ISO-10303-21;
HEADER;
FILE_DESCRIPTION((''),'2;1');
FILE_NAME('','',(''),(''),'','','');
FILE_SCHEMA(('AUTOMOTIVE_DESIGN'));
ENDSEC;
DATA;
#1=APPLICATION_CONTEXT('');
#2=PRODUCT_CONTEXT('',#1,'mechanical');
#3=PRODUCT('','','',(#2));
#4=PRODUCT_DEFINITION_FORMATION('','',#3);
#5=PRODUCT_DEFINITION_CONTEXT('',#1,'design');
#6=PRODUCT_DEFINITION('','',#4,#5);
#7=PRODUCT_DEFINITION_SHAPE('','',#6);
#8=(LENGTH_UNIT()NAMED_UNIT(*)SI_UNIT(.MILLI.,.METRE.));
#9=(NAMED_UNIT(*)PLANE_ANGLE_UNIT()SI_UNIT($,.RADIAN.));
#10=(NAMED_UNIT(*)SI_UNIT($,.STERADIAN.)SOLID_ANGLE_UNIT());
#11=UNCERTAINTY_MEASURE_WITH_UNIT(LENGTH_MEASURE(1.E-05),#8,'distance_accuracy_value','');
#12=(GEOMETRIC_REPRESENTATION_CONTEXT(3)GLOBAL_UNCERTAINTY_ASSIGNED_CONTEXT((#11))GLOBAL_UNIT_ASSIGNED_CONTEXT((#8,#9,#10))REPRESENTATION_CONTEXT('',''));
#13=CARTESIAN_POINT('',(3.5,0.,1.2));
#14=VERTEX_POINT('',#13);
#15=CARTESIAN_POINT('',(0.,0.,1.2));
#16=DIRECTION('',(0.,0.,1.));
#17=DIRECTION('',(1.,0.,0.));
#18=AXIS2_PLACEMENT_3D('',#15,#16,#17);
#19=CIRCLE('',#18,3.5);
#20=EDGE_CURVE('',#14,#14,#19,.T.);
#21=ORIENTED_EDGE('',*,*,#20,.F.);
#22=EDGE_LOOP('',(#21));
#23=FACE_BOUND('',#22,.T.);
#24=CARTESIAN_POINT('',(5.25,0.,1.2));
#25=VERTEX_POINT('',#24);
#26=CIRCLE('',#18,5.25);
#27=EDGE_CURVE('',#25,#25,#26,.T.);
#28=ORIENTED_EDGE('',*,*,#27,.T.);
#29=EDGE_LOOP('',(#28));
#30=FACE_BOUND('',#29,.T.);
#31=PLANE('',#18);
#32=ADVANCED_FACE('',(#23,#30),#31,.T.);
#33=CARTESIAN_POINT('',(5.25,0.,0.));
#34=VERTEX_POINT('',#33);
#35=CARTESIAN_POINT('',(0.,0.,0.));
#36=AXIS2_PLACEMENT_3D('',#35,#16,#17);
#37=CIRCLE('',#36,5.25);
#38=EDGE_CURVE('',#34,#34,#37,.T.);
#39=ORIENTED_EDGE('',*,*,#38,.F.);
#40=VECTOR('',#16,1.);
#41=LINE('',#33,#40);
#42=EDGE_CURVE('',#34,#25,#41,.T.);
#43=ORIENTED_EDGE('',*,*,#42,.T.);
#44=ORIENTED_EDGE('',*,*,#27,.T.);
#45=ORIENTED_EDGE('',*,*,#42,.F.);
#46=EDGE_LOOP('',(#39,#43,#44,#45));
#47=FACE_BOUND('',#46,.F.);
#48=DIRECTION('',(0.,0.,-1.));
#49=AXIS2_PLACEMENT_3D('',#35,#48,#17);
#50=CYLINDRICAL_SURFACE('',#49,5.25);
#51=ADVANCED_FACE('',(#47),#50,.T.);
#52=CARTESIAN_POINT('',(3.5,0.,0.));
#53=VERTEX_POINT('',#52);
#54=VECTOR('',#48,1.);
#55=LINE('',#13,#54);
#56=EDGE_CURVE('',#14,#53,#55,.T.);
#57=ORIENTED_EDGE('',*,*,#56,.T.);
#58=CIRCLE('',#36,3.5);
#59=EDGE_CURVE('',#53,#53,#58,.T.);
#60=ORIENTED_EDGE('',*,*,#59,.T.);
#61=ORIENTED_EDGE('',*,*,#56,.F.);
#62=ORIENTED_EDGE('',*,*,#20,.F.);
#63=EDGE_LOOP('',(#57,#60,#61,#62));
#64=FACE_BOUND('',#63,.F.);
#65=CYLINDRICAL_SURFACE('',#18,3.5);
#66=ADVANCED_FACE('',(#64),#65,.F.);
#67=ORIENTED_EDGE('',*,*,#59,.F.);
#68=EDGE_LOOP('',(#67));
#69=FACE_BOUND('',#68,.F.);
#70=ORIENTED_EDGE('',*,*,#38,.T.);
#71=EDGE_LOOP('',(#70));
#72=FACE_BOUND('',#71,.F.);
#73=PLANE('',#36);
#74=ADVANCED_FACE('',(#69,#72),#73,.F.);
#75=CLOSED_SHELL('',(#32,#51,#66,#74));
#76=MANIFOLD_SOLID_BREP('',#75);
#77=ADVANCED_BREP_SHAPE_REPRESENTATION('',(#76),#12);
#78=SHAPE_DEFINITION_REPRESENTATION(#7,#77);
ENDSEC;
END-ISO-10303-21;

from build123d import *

# Parameters (mm, degrees)
SKETCH_R     = 5.25
PAD_DEPTH    = 1.2
SKETCH001_R  = 3.5
POCKET_DEPTH = 1.2


with BuildPart() as part:
    # Sketch → Pad (new body)
    with BuildSketch(Plane.XY):
        Circle(SKETCH_R)
    extrude(amount=PAD_DEPTH)

    # Sketch001 (on Face3 of Pad) → Pocket (cut)
    with BuildSketch(Plane.XY.offset(1.2)):
        Circle(SKETCH001_R)
    extrude(amount=-POCKET_DEPTH, mode=Mode.SUBTRACT)


solid = part.part
